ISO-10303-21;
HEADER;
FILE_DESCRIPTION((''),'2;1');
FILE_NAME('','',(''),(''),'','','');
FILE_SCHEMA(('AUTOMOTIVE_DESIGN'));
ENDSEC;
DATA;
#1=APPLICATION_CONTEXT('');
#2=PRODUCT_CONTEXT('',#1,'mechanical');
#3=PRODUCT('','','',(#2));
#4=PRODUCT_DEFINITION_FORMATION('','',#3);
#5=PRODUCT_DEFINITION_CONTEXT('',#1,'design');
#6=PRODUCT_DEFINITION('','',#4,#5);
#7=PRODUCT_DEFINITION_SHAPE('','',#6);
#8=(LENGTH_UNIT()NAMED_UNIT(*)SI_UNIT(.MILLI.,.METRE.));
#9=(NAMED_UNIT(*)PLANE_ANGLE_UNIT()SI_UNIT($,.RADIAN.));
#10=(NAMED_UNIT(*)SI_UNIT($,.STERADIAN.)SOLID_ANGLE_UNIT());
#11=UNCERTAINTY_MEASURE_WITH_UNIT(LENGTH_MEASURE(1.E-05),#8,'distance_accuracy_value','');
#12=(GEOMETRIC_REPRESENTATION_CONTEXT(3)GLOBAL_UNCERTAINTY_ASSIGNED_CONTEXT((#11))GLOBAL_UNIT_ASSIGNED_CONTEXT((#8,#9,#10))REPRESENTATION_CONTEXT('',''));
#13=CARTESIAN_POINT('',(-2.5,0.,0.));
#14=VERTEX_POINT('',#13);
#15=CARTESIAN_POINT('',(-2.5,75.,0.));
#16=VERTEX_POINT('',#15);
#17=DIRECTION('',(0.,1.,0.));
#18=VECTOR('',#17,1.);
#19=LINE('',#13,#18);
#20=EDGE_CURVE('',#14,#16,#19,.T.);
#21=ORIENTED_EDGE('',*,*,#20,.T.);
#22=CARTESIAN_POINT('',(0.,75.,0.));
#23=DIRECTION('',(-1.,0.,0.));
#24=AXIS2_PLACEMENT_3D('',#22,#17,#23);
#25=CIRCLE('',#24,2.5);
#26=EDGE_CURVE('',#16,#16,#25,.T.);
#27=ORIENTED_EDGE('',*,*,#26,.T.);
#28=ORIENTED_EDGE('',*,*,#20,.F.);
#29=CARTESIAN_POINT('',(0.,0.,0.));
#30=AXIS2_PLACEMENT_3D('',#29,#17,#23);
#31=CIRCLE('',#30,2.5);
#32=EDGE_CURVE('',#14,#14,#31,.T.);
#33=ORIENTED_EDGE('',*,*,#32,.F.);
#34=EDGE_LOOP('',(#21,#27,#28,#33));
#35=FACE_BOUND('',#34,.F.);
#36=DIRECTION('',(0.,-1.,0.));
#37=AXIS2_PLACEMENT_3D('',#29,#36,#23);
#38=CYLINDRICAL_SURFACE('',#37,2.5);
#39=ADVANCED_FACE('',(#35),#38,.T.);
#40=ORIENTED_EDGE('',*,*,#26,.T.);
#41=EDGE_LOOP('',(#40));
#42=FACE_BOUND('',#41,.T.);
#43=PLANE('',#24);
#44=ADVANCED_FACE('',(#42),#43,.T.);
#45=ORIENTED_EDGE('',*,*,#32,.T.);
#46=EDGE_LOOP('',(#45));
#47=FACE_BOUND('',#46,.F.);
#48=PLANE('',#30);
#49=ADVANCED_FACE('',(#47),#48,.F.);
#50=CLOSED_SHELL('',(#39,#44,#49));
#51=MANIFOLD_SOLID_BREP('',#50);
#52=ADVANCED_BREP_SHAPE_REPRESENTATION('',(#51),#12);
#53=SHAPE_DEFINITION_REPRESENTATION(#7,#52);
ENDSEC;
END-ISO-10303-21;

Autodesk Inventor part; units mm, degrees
ref_plane "YZ Plane" through (0, 0, 0) normal (1, 0, 0) x (0, 1, 0)
ref_plane "XZ Plane" through (0, 0, 0) normal (0, 1, 0) x (-1, 0, 0)
ref_plane "XY Plane" through (0, 0, 0) normal (0, 0, 1) x (1, 0, 0)
sketch "Sketch1" plane through (0, 0, 0) normal (0, 1, 0) x (-1, 0, 0)
  circle A0 centre (0, 0) radius 2.5
  dimension "d0" = 5
extrude "Extrusion1" add sketch "Sketch1" along normal blind 75
properties part number "width_shaft"
